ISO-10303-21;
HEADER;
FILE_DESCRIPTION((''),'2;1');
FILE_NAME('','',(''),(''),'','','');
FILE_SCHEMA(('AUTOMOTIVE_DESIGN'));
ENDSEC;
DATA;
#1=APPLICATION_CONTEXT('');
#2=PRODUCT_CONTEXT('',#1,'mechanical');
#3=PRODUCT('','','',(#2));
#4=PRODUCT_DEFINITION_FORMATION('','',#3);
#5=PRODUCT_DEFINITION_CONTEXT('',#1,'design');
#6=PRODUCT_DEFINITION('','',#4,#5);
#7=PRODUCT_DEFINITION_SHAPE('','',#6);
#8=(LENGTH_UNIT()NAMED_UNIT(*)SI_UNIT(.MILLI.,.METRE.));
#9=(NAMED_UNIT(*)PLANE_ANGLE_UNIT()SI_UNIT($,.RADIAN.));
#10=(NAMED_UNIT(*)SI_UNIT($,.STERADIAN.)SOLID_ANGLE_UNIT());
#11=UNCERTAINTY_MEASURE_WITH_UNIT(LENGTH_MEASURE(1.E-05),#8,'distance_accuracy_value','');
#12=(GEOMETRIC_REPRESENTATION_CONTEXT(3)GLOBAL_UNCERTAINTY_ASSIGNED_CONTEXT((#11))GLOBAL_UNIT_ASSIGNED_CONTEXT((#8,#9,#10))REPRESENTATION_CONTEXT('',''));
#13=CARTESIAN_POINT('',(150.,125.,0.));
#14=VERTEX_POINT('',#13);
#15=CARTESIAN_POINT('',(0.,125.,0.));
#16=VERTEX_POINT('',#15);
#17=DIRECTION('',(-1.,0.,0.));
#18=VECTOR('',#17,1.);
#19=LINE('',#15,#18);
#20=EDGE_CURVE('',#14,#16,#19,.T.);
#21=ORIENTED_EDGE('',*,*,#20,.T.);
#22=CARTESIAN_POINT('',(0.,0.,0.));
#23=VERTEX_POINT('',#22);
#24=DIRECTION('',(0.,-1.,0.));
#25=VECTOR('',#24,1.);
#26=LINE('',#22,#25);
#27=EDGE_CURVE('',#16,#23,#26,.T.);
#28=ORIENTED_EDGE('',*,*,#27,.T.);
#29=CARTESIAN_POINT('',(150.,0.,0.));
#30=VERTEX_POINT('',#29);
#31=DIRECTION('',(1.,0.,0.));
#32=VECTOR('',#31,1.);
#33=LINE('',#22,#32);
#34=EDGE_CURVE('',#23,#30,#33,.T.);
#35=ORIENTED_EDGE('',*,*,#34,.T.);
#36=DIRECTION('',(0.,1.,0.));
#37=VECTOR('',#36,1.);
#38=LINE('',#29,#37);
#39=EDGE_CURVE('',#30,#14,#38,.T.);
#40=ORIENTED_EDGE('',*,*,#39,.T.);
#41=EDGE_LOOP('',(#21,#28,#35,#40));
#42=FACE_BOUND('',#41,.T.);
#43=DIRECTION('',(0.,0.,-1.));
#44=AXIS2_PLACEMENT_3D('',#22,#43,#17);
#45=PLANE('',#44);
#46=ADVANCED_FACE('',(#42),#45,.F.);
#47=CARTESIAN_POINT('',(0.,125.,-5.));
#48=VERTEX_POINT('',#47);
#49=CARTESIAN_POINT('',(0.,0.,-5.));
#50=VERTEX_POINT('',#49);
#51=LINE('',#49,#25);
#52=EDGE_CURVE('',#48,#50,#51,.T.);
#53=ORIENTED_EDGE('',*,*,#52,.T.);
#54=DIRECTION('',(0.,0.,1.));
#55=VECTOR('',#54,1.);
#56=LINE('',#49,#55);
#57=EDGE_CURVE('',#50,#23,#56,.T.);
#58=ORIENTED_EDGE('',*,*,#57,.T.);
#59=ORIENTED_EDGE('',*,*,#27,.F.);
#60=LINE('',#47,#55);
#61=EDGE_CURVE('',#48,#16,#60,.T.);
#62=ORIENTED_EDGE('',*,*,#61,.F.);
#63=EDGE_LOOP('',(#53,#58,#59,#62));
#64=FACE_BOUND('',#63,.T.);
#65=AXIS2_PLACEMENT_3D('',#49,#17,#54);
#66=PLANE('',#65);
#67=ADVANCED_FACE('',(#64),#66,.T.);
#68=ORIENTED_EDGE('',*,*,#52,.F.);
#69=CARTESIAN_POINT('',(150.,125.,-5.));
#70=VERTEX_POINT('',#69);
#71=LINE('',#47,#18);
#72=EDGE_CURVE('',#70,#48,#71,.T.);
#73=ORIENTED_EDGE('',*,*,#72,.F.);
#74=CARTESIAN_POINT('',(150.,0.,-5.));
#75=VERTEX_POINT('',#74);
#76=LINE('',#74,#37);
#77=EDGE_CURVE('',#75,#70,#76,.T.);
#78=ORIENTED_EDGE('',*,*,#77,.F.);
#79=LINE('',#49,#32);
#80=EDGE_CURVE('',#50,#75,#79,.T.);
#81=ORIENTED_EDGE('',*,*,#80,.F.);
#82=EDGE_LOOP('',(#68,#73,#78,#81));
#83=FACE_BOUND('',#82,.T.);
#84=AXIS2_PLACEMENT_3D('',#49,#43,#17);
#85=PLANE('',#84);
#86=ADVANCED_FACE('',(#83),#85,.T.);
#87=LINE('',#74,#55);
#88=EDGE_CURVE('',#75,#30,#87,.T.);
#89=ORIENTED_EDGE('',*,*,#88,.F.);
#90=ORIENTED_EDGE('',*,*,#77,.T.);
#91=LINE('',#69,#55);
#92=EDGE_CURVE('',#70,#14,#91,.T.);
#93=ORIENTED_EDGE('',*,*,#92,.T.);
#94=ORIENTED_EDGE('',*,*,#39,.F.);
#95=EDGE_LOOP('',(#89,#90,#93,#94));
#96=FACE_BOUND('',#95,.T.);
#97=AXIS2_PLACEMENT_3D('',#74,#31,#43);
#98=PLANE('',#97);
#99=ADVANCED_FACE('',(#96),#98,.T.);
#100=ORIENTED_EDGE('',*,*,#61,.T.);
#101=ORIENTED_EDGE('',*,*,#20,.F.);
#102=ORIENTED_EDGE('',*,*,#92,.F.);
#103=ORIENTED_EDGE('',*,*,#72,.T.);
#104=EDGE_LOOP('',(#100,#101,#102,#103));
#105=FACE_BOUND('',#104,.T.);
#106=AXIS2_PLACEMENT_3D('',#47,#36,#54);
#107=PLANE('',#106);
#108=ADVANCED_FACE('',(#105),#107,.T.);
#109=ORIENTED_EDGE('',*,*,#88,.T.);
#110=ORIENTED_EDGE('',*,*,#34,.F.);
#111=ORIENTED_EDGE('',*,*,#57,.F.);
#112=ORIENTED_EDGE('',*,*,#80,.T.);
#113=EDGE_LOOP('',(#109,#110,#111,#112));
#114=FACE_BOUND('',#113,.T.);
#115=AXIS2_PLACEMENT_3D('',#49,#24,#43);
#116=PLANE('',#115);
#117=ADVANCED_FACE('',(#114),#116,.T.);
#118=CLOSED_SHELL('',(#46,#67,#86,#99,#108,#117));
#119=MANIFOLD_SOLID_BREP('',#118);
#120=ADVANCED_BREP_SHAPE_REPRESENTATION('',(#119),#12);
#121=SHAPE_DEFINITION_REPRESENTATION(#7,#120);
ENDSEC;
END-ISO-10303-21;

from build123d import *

# Parameters (mm, degrees)
SKETCH1_W           = 150
SKETCH1_H           = 125
BOSS_EXTRUDE1_DEPTH = 5


with BuildPart() as part:
    # Sketch1 → Boss-Extrude1 (new body)
    with BuildSketch(Plane.XY):
        with Locations((75, 62.5)):
            Rectangle(SKETCH1_W, SKETCH1_H)
    extrude(amount=-BOSS_EXTRUDE1_DEPTH)


solid = part.part
